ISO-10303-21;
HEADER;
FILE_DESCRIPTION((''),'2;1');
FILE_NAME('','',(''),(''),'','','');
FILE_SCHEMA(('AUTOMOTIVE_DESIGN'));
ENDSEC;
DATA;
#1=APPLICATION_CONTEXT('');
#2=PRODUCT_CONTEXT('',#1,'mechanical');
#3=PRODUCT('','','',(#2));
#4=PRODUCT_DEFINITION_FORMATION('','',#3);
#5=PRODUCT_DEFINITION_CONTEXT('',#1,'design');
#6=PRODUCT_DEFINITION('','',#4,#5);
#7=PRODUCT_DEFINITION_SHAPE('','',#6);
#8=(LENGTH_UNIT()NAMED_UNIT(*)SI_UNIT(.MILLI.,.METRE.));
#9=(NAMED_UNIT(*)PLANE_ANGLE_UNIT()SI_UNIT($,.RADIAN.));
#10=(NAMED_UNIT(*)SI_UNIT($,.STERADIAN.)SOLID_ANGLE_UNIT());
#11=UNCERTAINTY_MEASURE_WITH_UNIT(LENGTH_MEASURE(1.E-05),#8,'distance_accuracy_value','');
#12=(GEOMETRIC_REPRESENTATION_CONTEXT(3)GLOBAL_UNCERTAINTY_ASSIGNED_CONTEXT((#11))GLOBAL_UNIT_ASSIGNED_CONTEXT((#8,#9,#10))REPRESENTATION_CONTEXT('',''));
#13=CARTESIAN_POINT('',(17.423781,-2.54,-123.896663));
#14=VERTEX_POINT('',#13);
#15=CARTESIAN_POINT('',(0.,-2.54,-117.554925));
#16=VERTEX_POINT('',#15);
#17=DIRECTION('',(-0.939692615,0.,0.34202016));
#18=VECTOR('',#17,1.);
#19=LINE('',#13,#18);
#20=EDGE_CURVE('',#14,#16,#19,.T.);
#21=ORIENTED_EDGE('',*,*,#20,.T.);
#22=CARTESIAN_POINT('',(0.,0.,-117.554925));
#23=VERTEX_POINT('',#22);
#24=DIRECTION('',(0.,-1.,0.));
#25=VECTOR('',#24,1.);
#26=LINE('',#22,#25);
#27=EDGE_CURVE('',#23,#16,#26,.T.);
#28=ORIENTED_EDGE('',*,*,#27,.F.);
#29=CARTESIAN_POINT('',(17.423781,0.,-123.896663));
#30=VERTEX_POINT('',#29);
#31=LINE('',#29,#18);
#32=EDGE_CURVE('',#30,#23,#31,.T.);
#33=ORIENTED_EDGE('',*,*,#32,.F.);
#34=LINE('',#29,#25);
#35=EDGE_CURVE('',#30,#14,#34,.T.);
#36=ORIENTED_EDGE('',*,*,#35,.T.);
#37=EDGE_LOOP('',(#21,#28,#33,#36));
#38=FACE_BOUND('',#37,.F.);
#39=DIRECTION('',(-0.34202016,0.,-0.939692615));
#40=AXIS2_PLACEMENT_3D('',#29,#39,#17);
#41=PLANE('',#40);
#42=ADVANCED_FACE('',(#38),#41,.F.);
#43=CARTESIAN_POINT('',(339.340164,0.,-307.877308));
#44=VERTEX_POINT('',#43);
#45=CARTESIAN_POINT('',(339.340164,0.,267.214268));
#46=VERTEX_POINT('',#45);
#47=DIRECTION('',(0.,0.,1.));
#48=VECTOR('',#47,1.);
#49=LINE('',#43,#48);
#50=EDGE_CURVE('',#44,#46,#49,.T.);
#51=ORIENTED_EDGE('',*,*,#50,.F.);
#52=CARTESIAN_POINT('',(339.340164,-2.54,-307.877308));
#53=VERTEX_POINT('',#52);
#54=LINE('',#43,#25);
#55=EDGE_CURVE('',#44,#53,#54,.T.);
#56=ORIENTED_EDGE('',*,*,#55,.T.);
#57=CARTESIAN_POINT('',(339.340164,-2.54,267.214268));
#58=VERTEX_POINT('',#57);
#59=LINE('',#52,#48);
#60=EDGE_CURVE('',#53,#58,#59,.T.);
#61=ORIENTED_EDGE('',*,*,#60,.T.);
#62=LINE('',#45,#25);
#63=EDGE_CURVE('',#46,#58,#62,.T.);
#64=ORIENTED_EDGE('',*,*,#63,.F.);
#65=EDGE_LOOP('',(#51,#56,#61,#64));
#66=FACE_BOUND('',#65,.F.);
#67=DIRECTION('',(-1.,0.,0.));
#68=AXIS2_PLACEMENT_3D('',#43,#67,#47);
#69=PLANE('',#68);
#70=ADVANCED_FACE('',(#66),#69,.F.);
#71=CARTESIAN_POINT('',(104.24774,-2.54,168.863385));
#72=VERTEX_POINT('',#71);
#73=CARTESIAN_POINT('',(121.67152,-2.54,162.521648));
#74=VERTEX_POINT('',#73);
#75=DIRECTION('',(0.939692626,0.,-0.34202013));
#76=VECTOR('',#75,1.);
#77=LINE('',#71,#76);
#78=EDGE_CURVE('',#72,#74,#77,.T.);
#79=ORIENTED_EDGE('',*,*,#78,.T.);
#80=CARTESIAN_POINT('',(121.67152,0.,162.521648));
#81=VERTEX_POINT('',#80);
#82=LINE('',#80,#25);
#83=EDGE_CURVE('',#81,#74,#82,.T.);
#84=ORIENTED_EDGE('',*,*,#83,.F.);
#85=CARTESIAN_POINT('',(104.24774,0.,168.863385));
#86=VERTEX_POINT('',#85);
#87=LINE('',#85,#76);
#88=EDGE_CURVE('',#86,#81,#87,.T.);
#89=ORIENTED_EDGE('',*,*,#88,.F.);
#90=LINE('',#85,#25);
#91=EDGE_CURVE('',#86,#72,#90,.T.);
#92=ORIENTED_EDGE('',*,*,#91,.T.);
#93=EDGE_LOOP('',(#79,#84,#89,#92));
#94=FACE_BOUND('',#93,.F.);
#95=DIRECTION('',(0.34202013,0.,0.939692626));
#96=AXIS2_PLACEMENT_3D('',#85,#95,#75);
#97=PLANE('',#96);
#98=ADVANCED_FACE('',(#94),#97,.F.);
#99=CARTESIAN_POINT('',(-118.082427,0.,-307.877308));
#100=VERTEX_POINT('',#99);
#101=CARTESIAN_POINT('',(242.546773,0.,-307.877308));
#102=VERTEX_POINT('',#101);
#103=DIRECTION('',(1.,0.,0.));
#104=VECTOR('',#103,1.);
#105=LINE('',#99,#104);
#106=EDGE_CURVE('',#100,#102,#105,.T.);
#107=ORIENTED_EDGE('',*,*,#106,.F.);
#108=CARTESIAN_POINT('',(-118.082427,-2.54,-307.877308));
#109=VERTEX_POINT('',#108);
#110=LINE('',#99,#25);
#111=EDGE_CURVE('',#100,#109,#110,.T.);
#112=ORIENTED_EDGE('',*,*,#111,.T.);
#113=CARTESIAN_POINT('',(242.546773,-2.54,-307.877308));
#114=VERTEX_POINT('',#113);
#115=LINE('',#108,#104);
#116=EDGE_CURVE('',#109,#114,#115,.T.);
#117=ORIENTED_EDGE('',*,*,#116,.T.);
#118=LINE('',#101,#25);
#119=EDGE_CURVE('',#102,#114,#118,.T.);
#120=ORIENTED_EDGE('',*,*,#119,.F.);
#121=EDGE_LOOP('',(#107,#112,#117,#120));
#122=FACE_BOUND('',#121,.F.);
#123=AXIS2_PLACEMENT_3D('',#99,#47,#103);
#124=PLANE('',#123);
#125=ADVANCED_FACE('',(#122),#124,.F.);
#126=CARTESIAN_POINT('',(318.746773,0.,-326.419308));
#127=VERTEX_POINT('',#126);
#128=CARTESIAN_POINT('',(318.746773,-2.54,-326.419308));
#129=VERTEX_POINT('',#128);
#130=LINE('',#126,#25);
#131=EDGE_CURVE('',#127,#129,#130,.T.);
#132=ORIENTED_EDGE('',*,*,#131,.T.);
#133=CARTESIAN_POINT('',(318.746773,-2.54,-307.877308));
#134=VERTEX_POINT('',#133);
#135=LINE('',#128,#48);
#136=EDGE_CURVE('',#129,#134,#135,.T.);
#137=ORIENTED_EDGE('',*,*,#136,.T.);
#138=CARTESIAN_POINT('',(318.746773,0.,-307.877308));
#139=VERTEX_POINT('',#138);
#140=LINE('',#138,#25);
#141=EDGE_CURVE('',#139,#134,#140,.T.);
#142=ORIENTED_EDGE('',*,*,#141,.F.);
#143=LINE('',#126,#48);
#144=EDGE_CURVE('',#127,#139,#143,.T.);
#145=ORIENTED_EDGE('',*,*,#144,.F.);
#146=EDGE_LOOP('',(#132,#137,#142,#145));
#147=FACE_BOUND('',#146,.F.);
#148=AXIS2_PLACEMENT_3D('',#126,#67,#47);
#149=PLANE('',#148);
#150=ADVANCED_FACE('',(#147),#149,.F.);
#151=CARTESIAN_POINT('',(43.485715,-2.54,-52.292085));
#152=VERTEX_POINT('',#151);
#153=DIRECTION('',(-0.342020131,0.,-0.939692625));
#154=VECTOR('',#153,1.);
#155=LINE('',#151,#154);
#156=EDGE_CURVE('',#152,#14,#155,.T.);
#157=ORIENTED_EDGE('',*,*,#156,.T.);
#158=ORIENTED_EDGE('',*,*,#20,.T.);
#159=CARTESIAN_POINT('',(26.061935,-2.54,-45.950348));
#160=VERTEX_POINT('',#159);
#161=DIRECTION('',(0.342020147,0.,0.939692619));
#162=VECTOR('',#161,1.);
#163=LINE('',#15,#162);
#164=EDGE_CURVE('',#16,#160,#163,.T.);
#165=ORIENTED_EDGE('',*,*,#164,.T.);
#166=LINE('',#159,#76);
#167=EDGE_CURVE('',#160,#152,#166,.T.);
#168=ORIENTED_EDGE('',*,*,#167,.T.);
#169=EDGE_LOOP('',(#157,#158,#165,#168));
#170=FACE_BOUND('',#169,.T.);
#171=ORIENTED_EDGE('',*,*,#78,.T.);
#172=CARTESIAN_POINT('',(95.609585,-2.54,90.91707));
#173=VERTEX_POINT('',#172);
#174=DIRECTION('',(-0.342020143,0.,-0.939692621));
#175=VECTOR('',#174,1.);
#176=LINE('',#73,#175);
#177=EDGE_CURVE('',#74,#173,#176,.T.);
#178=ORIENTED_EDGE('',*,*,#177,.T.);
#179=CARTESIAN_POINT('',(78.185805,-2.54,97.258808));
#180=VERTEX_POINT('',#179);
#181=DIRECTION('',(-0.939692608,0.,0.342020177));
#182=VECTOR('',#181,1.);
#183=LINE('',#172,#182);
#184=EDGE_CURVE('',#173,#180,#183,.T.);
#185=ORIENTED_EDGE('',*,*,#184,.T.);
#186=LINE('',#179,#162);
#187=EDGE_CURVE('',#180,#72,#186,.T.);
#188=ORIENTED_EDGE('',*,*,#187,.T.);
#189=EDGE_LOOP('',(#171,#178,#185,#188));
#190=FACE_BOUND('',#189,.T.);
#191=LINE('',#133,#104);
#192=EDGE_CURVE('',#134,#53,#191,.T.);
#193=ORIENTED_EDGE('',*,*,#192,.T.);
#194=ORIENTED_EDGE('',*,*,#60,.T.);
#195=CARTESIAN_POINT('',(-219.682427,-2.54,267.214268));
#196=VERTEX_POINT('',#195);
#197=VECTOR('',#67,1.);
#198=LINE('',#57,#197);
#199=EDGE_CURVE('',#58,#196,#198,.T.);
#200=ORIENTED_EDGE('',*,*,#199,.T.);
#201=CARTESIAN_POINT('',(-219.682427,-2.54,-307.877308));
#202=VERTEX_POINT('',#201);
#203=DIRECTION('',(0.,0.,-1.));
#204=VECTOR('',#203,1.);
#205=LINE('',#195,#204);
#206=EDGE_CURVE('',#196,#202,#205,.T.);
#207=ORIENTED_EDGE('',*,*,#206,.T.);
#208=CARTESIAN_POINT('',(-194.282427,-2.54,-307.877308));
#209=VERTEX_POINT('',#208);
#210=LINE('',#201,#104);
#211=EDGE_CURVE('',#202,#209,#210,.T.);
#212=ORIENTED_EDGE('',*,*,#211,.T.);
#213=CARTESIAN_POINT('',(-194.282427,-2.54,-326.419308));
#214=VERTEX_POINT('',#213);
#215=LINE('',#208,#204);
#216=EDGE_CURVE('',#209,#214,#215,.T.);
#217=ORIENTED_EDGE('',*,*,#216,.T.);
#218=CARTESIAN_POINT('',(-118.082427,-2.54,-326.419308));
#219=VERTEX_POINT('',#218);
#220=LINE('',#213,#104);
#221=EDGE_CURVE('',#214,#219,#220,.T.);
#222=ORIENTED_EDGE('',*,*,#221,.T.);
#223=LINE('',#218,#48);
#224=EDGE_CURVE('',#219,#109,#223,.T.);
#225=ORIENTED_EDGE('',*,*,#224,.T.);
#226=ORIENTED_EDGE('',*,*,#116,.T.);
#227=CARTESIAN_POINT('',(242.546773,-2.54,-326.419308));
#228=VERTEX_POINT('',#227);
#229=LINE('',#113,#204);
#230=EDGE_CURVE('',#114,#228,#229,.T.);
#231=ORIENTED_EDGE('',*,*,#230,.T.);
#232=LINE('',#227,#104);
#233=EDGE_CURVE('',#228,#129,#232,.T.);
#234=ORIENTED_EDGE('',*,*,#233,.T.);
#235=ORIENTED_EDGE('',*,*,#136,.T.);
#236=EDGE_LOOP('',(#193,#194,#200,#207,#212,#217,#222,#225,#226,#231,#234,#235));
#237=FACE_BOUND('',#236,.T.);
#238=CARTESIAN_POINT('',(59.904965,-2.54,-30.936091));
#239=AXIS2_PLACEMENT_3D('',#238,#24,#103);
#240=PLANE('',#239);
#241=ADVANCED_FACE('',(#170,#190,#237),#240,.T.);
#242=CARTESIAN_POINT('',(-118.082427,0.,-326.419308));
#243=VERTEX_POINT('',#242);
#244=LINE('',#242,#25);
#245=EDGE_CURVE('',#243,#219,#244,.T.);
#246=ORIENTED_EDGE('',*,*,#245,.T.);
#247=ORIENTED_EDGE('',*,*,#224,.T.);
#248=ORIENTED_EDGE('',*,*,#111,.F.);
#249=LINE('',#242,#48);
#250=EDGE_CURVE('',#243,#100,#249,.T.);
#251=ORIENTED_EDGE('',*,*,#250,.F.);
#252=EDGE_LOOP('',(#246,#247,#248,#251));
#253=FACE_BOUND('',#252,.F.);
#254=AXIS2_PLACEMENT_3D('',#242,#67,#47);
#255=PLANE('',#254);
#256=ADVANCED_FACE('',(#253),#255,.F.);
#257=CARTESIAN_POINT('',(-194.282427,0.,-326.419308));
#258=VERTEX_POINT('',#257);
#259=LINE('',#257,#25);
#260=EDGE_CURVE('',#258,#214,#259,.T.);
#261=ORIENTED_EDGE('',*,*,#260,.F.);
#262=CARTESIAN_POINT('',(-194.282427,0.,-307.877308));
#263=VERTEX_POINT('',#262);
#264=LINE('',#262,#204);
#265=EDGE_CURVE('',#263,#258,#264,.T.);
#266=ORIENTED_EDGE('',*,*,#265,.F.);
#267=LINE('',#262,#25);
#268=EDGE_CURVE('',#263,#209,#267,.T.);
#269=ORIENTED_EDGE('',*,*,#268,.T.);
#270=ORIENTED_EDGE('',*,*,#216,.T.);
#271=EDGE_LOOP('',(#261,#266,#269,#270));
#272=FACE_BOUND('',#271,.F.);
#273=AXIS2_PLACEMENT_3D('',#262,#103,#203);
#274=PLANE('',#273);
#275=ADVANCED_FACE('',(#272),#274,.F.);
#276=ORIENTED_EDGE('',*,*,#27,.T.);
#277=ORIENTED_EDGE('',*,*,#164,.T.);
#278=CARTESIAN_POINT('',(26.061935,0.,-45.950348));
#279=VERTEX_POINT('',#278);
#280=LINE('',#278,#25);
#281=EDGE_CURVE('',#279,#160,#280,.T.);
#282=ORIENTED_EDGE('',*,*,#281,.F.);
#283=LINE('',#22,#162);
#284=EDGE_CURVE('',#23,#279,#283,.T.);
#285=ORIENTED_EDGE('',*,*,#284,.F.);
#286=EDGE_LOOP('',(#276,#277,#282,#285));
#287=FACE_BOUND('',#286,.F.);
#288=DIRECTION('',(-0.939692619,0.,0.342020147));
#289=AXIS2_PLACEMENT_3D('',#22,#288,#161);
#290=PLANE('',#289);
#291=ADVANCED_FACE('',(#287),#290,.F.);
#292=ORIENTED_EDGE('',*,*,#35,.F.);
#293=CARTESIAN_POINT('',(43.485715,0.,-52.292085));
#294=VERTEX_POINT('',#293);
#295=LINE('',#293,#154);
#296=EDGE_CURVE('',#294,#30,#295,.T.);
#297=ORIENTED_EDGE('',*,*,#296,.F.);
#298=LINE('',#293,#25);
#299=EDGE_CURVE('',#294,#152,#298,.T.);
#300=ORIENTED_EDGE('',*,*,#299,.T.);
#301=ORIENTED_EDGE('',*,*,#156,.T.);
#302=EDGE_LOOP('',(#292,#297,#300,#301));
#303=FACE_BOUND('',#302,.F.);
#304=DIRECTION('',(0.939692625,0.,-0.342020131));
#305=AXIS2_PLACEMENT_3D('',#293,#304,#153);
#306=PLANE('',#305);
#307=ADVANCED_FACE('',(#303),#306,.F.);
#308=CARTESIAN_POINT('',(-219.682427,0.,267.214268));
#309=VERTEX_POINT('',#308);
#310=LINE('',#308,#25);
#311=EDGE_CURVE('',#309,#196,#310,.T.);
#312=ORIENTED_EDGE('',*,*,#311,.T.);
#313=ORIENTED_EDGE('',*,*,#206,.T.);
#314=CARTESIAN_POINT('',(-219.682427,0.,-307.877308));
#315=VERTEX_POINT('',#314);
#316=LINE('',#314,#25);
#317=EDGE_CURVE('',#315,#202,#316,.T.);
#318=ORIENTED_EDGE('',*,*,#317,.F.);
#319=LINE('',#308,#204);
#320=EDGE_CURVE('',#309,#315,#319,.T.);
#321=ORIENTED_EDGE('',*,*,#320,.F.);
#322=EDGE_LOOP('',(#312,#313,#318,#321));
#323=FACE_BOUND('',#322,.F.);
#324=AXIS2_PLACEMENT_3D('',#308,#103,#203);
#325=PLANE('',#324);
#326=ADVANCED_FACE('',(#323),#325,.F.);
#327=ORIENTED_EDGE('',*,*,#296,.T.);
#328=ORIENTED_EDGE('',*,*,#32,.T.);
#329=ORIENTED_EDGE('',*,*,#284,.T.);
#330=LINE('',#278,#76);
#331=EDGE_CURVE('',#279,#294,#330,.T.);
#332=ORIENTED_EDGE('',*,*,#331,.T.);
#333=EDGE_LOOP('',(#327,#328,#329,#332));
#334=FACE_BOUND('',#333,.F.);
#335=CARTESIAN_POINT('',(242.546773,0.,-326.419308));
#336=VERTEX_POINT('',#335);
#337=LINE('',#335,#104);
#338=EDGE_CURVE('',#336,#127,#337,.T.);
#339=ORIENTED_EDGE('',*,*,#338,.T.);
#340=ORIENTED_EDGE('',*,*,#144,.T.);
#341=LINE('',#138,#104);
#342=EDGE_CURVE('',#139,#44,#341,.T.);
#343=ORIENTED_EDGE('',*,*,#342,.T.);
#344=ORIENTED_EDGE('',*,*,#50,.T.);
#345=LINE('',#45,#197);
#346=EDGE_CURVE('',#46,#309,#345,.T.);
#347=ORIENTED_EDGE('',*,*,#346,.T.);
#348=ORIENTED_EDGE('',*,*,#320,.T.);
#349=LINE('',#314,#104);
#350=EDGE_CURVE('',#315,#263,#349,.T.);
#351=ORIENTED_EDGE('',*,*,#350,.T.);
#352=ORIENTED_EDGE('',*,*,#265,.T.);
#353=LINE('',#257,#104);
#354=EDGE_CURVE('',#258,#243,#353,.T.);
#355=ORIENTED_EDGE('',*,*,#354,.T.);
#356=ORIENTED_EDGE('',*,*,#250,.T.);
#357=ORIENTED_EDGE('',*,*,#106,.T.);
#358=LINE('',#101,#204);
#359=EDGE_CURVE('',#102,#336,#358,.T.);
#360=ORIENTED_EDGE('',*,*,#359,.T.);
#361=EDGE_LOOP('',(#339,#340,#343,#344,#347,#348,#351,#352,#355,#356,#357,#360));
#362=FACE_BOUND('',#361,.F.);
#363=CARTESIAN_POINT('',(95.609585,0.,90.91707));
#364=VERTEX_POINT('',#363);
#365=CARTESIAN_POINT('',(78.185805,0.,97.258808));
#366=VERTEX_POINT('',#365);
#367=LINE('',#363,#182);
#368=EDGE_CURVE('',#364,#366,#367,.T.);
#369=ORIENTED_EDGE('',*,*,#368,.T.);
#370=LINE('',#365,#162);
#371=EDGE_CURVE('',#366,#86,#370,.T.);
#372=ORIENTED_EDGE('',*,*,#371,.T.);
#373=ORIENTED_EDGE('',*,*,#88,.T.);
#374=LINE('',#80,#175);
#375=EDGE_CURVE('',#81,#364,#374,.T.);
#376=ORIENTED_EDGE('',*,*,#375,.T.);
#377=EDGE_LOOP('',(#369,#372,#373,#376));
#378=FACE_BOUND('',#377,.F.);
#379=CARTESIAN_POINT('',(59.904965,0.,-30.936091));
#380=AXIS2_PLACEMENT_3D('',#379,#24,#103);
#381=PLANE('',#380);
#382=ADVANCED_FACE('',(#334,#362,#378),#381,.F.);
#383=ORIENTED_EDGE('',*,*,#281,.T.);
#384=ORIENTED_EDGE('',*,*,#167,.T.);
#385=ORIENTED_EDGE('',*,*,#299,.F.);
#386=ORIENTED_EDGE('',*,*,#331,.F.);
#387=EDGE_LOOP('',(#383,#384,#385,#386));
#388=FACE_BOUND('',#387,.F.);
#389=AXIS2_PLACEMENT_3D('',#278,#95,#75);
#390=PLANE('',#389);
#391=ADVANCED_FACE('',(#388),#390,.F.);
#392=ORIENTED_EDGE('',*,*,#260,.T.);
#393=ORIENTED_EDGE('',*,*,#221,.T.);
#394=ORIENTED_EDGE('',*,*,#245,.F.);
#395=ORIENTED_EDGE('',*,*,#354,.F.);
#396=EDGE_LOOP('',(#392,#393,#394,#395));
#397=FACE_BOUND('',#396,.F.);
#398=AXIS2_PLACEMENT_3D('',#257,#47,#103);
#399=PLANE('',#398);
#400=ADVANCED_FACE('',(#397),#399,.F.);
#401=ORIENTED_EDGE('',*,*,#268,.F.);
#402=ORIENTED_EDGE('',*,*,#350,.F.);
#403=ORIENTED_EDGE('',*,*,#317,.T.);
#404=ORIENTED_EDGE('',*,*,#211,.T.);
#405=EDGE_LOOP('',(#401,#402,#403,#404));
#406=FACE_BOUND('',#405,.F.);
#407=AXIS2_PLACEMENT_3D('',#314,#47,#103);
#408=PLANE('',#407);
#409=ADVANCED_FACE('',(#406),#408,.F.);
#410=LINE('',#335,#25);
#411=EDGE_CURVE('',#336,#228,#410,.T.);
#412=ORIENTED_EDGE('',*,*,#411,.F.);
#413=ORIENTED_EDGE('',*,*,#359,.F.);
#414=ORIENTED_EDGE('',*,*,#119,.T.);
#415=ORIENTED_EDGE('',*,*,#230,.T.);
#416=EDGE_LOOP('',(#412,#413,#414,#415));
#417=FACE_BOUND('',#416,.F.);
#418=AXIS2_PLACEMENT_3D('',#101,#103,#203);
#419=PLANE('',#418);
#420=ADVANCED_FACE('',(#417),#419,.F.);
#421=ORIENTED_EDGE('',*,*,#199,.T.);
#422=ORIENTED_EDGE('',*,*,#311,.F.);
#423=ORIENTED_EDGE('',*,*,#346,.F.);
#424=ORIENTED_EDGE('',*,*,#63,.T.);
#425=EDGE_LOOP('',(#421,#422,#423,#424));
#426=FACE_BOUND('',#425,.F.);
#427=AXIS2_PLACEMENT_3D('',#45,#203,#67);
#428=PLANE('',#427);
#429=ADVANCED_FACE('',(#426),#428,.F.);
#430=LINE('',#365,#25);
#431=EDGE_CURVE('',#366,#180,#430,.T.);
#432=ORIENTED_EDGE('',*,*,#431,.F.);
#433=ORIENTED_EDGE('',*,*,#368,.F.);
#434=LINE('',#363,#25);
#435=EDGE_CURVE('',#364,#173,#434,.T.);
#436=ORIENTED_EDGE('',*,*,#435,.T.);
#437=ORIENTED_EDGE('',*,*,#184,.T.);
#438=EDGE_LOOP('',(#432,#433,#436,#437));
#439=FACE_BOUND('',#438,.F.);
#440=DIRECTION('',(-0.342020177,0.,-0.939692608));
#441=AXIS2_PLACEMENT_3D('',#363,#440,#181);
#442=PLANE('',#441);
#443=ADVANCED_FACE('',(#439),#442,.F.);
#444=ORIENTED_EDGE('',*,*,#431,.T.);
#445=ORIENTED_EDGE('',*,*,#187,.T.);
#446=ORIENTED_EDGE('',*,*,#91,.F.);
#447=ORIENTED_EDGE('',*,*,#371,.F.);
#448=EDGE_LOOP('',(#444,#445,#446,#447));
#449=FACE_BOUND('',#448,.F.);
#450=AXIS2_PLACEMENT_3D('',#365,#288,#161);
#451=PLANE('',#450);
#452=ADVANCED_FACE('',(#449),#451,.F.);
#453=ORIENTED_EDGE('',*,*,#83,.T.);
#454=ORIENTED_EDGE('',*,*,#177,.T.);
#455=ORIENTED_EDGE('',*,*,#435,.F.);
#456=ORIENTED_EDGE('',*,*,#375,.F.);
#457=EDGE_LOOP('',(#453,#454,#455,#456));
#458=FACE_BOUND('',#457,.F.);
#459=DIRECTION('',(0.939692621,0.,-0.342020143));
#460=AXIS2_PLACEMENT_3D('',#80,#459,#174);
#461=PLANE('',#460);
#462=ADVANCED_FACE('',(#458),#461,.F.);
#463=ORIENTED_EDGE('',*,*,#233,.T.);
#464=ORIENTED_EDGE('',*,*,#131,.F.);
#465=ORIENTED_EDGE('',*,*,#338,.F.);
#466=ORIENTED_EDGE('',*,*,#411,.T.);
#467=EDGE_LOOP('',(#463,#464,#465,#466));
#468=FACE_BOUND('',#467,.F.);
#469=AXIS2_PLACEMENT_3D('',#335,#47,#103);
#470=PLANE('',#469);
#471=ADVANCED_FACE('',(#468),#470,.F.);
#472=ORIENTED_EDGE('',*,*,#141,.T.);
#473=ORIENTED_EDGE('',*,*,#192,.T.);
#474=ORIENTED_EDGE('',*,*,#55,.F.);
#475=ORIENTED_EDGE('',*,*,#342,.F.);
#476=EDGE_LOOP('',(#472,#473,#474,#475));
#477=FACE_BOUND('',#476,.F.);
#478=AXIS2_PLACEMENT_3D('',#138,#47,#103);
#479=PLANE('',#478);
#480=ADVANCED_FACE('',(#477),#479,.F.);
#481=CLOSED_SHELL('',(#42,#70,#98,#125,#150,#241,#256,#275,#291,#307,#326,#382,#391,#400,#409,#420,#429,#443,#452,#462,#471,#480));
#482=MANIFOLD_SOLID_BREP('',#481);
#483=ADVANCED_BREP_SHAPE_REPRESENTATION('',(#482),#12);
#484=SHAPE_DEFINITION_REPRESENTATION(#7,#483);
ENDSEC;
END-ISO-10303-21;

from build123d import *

# Parameters (mm, degrees)
F1_DEPTH = 2.54


with BuildPart() as f1:
    # F0 (on Front) → F1 (new body)
    with BuildSketch(Plane.XZ):
        Polygon((-219.682427, 267.214268), (-219.682427, -307.877308), (-194.282427, -307.877308), (-194.282427, -326.419308), (-118.082427, -326.419308), (-118.082427, -307.877308), (242.546773, -307.877308), (242.546773, -326.419308), (318.746773, -326.419308), (318.746773, -307.877308), (339.340164, -307.877308), (339.340164, 267.214268), align=None)
        Polygon((0, -117.554925), (26.061935, -45.950348), (43.485715, -52.292085), (17.423781, -123.896663), align=None, mode=Mode.SUBTRACT)
        Polygon((95.609585, 90.91707), (78.185805, 97.258808), (104.24774, 168.863385), (121.67152, 162.521648), align=None, mode=Mode.SUBTRACT)
    extrude(amount=F1_DEPTH)


solid = f1.part
